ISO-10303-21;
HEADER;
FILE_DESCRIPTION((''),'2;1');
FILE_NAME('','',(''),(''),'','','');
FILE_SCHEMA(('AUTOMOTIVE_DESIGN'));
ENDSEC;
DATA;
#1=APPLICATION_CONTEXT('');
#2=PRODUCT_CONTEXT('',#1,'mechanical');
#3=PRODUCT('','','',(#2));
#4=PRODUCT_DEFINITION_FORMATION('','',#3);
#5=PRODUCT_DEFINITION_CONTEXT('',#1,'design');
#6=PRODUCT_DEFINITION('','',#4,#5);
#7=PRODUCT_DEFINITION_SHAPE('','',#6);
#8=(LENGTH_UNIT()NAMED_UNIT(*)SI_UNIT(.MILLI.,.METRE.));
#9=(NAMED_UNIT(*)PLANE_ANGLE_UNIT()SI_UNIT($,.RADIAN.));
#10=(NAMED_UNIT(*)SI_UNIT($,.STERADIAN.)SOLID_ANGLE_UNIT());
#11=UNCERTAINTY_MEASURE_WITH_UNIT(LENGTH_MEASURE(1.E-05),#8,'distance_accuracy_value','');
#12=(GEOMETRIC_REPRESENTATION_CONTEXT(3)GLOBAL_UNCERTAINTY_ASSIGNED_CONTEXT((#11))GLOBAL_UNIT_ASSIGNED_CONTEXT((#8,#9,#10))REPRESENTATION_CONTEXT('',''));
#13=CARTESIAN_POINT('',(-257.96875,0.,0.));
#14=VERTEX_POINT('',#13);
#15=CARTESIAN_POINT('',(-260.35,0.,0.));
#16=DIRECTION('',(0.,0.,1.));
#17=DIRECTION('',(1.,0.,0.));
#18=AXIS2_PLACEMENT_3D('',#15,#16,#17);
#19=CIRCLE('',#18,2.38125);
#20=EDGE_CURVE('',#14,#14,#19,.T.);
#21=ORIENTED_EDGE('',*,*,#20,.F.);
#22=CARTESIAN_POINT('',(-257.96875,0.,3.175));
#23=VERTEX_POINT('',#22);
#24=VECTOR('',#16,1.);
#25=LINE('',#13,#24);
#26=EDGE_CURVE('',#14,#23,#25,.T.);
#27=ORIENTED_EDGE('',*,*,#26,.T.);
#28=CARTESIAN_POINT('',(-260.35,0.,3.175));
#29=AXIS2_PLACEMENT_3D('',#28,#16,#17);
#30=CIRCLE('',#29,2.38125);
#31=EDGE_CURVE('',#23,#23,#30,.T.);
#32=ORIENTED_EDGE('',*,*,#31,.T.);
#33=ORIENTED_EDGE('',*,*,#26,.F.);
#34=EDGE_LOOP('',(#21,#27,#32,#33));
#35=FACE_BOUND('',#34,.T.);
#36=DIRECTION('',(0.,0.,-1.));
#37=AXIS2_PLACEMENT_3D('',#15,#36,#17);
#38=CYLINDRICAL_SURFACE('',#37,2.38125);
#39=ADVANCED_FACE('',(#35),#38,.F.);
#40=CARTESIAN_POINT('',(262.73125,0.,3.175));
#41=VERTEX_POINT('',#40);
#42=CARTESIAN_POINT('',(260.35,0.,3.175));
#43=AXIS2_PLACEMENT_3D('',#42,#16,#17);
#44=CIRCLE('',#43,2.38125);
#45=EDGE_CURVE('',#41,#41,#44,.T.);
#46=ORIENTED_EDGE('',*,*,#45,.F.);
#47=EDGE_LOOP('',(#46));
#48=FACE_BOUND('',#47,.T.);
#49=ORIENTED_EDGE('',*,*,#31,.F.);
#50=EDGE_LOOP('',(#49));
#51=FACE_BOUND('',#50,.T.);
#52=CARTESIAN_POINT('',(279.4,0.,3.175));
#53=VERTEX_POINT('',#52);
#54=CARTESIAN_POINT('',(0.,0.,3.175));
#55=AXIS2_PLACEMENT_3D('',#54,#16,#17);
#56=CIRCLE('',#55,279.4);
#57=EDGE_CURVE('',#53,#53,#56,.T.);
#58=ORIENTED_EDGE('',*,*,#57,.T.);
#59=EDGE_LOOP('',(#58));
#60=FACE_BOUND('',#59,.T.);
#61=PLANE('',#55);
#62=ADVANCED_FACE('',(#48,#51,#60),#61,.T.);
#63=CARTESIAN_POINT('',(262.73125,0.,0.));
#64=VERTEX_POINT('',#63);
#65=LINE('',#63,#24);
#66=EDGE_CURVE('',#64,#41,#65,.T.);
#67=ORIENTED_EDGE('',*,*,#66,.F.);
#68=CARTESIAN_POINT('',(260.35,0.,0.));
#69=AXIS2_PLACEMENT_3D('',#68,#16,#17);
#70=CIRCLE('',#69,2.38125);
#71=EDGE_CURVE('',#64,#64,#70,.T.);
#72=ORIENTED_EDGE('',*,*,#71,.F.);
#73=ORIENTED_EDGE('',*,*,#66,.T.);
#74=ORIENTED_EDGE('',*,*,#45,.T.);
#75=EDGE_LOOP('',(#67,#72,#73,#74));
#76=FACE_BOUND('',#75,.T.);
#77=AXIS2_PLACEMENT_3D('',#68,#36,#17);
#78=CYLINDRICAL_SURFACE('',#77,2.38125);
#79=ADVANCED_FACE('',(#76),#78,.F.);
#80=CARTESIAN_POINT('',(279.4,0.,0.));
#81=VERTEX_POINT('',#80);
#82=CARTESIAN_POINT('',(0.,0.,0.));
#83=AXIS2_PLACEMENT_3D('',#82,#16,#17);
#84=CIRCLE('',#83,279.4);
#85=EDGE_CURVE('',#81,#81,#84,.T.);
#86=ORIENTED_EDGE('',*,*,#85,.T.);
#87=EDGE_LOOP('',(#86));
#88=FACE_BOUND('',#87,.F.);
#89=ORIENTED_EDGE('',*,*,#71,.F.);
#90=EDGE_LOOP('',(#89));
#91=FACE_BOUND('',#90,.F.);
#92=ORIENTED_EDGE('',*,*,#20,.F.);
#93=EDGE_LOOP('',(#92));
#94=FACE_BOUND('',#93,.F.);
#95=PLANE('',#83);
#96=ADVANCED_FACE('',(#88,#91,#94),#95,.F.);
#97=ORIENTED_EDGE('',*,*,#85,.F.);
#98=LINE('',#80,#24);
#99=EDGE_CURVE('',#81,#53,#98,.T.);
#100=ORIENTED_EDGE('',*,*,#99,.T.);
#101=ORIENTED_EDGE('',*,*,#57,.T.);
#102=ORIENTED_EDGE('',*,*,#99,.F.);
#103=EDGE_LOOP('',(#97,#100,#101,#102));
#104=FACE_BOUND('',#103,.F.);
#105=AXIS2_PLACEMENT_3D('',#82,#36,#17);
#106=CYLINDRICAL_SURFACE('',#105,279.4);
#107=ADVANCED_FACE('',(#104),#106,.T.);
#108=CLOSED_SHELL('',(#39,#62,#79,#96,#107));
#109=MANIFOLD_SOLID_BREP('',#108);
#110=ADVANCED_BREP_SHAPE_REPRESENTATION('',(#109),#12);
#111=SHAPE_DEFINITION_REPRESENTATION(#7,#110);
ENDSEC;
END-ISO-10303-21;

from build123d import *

# Parameters (mm, degrees)
F0_R     = 279.4
F0_R_2   = 2.38125
F0_R_3   = 241.3
F1_DEPTH = 3.175


with BuildPart() as f1:
    # F0 (on Top) → F1 (new body)
    with BuildSketch(Plane.XY):
        Circle(F0_R)
        with Locations((-260.35, 0)):
            Circle(F0_R_2, mode=Mode.SUBTRACT)
        Circle(F0_R_3, mode=Mode.SUBTRACT)
        with Locations((260.35, 0)):
            Circle(F0_R_2, mode=Mode.SUBTRACT)
        Circle(F0_R_3)
    extrude(amount=F1_DEPTH)


solid = f1.part
